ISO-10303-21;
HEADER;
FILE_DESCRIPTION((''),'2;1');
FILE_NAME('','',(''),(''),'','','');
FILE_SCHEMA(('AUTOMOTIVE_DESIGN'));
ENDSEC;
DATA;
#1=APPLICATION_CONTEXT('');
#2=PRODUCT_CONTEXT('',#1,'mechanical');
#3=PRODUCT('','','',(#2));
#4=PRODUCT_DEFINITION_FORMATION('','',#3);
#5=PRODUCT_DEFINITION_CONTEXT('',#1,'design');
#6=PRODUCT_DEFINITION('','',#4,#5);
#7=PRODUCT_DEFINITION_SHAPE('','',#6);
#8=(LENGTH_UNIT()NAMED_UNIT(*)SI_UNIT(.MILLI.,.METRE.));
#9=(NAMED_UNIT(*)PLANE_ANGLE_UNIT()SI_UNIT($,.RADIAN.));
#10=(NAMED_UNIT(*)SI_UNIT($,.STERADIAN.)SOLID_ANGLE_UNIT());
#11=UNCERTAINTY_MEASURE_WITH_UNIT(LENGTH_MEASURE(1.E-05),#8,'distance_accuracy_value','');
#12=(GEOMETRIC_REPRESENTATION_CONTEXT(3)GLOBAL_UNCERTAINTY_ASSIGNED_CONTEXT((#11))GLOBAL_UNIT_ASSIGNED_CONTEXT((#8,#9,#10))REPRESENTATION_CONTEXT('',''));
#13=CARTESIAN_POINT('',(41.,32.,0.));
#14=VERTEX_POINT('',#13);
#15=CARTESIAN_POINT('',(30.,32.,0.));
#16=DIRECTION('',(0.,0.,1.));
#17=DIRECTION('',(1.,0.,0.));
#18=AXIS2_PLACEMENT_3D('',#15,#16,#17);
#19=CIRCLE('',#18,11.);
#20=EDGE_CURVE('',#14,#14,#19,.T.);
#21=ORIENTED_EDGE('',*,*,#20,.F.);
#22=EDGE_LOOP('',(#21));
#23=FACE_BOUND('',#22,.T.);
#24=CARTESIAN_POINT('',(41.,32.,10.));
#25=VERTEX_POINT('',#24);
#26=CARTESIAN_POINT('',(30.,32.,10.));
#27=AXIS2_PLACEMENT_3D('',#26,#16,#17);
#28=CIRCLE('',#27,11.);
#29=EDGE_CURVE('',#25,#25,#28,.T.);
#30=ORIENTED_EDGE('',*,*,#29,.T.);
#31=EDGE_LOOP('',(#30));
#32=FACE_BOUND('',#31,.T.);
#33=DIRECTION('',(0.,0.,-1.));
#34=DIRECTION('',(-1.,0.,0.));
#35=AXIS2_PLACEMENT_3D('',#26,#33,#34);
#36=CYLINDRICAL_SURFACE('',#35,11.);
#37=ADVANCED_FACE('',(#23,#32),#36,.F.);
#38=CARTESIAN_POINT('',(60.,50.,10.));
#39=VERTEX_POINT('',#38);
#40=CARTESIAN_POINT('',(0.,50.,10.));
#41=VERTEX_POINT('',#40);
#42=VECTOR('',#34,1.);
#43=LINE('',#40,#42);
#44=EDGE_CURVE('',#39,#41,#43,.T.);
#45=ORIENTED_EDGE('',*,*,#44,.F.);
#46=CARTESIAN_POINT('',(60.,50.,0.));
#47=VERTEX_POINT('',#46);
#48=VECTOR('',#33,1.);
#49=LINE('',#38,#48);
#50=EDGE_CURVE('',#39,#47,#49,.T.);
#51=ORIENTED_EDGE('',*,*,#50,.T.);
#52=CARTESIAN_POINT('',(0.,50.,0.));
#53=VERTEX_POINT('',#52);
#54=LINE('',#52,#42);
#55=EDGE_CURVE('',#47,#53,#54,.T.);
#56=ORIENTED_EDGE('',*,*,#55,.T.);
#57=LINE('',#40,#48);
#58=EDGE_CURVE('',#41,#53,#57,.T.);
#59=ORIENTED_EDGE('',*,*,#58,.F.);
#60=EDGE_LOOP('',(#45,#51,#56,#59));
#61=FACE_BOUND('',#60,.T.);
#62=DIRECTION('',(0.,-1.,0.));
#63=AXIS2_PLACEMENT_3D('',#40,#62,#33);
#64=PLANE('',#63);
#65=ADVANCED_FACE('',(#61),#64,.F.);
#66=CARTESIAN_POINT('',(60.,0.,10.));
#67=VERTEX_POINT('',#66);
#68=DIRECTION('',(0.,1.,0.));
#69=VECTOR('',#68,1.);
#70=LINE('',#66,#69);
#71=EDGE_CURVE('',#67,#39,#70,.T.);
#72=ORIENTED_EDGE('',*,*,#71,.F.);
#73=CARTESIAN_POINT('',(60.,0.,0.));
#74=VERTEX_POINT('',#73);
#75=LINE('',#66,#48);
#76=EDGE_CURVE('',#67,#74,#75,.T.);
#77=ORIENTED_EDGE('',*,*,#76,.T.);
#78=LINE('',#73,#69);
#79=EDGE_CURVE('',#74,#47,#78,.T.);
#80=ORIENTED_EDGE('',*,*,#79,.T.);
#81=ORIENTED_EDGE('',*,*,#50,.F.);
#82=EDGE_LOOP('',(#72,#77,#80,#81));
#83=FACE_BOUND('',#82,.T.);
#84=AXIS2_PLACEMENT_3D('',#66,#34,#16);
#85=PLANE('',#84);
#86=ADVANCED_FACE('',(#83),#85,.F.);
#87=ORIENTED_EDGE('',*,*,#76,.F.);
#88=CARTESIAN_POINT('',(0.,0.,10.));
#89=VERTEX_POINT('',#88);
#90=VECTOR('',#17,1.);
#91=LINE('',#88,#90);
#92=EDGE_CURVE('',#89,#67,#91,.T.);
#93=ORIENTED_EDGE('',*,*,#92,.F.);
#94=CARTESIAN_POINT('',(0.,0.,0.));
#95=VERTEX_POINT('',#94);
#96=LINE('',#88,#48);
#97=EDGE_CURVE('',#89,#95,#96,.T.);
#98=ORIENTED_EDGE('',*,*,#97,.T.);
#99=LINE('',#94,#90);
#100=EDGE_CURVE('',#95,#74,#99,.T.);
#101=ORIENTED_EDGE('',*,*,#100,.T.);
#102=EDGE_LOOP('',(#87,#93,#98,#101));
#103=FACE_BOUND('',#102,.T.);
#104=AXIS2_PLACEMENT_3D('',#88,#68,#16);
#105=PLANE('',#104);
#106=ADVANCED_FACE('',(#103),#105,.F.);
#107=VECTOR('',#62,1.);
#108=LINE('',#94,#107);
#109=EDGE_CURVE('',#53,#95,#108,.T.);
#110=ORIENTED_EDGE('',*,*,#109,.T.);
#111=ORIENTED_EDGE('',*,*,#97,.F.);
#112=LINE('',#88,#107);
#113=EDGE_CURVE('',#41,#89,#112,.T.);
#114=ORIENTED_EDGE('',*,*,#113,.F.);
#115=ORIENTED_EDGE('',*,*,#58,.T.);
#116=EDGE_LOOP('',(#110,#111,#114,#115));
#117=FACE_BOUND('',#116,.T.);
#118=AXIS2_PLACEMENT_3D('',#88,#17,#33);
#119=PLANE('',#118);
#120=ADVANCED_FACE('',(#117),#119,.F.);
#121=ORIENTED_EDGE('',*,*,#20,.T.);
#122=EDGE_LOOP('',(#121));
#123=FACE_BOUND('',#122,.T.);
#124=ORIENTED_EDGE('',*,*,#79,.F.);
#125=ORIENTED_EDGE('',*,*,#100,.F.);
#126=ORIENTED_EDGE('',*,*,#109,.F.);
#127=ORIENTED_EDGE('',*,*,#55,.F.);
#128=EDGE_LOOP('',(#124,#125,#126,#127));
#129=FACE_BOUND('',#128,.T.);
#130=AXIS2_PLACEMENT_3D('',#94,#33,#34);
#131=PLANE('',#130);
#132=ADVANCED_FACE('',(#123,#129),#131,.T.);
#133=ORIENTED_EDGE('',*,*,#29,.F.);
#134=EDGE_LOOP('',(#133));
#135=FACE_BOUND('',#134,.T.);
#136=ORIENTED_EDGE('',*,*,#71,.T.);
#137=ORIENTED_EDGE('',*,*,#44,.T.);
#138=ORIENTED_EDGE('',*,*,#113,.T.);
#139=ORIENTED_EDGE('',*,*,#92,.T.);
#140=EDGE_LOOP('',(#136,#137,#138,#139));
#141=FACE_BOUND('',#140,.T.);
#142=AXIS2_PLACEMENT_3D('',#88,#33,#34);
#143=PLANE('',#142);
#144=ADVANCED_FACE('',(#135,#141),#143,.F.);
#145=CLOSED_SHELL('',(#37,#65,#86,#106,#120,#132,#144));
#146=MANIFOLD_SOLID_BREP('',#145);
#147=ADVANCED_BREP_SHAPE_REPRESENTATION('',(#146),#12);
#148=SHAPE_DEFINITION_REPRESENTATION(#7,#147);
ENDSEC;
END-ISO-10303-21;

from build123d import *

# Parameters (mm, degrees)
CROQUIS1_W              = 60
CROQUIS1_H              = 50
CROQUIS1_R              = 11
SALIENTE_EXTRUIR1_DEPTH = 10


with BuildPart() as part:
    # Croquis1 → Saliente-Extruir1 (new body)
    with BuildSketch(Plane.XY):
        with Locations((30, 25)):
            Rectangle(CROQUIS1_W, CROQUIS1_H)
        with Locations((30, 32)):
            Circle(CROQUIS1_R, mode=Mode.SUBTRACT)
    extrude(amount=SALIENTE_EXTRUIR1_DEPTH)


solid = part.part
